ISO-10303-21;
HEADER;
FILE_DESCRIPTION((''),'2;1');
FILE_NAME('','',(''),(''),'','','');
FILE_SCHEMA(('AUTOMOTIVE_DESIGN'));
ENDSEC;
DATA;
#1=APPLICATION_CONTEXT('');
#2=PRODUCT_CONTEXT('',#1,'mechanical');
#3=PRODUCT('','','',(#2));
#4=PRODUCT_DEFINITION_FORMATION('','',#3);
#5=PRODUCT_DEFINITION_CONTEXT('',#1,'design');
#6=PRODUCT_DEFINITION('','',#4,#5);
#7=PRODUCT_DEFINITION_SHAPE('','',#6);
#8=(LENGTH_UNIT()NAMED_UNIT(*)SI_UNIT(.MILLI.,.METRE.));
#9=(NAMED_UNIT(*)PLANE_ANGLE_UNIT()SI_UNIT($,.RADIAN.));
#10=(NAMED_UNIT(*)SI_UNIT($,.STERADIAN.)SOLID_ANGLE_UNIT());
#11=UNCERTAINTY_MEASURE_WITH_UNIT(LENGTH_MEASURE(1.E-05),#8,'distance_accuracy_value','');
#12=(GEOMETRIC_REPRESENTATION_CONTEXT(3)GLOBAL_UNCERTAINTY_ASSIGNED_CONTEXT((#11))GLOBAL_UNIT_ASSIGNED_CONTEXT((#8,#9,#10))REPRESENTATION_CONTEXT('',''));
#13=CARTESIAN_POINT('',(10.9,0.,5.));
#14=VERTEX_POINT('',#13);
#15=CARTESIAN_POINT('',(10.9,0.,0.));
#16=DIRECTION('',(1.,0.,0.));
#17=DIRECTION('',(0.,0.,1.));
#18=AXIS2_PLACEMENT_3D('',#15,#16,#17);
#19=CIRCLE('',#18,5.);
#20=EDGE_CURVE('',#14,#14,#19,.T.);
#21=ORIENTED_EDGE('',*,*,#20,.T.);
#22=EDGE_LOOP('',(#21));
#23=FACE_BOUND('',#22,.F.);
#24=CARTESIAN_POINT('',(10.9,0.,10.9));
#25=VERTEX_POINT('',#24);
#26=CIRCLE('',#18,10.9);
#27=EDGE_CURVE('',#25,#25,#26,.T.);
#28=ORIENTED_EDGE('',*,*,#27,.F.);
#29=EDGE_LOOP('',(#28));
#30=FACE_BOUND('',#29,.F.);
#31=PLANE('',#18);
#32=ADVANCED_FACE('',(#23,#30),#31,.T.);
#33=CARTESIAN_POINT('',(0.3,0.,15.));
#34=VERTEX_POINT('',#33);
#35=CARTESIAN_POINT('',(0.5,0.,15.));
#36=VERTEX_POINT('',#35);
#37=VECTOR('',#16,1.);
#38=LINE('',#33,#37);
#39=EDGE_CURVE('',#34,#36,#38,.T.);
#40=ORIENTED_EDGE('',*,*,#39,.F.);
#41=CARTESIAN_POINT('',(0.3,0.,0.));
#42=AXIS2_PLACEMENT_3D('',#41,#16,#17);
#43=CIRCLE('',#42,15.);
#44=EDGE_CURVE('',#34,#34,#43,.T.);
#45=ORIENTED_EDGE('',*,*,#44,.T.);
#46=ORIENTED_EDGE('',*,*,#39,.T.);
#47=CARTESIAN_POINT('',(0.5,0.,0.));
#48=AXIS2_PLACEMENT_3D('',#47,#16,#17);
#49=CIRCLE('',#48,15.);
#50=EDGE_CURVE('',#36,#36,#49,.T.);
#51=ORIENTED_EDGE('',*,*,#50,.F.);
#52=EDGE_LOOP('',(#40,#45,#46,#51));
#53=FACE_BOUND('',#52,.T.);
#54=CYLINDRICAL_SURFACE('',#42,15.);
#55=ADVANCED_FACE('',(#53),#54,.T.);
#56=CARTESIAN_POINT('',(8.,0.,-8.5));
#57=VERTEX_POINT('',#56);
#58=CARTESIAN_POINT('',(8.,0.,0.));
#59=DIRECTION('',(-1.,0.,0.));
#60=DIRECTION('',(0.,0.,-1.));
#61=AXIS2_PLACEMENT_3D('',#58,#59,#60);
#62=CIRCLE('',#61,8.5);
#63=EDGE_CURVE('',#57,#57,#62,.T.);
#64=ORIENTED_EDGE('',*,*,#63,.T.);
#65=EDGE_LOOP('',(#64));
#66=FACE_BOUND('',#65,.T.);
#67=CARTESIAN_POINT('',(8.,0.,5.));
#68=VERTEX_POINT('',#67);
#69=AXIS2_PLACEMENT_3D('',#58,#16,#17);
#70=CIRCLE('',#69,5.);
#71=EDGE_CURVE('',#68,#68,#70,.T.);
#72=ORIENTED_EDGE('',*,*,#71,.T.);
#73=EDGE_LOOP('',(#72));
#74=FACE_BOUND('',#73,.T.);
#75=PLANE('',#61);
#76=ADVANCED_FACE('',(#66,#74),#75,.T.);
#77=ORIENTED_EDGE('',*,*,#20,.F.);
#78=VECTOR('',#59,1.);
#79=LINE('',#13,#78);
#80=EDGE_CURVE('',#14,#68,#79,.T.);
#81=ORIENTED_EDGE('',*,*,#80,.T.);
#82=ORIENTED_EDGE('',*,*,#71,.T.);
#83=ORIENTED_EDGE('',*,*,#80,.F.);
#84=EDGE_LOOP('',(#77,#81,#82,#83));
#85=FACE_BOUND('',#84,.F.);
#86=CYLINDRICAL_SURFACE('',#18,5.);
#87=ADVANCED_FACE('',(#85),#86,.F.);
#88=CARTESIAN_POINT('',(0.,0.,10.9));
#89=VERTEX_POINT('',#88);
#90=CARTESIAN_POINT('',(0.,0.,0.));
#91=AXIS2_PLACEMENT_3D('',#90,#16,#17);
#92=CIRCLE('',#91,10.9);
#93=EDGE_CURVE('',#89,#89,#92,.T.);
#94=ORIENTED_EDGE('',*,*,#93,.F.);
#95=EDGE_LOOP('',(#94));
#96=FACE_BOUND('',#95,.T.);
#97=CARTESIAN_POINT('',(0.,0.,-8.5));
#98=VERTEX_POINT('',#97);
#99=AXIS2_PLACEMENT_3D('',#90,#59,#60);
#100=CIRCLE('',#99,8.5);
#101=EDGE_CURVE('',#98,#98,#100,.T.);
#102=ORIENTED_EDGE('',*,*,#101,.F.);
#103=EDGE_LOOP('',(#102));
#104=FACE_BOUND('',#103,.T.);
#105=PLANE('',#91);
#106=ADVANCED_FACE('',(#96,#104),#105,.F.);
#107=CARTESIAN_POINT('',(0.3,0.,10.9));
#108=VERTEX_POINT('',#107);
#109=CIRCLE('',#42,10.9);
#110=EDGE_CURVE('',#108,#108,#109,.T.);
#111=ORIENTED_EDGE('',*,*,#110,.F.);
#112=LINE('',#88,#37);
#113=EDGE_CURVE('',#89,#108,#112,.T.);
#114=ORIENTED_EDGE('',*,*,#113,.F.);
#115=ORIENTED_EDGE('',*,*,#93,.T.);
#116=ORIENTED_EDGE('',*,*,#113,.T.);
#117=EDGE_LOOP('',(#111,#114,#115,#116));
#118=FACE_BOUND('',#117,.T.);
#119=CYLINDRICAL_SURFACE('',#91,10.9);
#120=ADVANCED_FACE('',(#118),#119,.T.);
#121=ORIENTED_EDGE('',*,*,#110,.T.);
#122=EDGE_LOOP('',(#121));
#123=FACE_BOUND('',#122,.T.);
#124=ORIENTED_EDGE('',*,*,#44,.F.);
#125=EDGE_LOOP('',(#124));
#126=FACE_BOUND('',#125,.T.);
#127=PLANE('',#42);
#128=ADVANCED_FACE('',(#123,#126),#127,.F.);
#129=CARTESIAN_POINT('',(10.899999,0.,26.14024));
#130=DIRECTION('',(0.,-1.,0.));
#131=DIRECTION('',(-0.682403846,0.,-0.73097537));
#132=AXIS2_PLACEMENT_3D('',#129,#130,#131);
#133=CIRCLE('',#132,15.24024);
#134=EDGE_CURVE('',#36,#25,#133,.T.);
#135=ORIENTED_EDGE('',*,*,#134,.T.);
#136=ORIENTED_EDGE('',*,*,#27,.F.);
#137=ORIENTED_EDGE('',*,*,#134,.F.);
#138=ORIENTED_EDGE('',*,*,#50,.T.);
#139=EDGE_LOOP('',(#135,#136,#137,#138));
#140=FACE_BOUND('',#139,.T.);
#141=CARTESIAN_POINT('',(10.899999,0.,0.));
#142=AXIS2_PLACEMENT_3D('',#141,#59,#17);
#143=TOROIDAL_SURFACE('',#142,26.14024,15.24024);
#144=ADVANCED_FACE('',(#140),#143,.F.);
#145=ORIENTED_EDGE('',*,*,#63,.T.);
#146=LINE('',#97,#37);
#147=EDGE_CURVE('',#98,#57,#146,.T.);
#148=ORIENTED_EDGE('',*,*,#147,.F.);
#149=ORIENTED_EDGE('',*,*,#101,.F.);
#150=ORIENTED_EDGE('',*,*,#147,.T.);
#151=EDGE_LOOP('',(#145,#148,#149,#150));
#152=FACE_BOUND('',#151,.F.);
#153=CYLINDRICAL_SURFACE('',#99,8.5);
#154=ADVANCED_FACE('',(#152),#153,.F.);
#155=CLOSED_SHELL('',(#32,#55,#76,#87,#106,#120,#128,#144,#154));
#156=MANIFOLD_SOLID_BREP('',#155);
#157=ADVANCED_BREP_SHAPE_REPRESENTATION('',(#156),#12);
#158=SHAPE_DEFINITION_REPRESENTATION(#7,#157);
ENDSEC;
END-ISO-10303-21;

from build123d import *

# Parameters (mm, degrees)
SKETCH009_R     = 8.5
POCKET004_DEPTH = 8
SKETCH010_R     = 5
POCKET005_DEPTH = 10.901


with BuildPart() as part:
    # Sketch008 → Revolution002 (revolve)
    with BuildSketch(Plane.XZ):
        with BuildLine():
            Line((0, 0), (10.9, 0))
            Line((10.9, 0), (10.9, 10.9))
            ThreePointArc((0.5, 15), (5.310501, 11.962002), (10.9, 10.9))
            Line((0.3, 15), (0.5, 15))
            Line((0.3, 10.9), (0.3, 15))
            Line((0, 10.9), (0.3, 10.9))
            Line((0, 0), (0, 10.9))
        make_face()
    revolve(axis=Axis((0, 0, 0), (1, 0, 0)))

    # Sketch009 (on Face6 of Revolution002) → Pocket004 (cut)
    with BuildSketch(Plane(origin=(0, 0, 0), x_dir=(0, 0, -1), z_dir=(-1, 0, 0))):
        Circle(SKETCH009_R)
    extrude(amount=-POCKET004_DEPTH, mode=Mode.SUBTRACT)

    # Sketch010 (on Face1 of Pocket004) → Pocket005 (cut, through all)
    with BuildSketch(Plane(origin=(10.9, 0, 0), x_dir=(0, 0, 1), z_dir=(1, 0, 0))):
        Circle(SKETCH010_R)
    extrude(amount=-POCKET005_DEPTH, mode=Mode.SUBTRACT)


solid = part.part
